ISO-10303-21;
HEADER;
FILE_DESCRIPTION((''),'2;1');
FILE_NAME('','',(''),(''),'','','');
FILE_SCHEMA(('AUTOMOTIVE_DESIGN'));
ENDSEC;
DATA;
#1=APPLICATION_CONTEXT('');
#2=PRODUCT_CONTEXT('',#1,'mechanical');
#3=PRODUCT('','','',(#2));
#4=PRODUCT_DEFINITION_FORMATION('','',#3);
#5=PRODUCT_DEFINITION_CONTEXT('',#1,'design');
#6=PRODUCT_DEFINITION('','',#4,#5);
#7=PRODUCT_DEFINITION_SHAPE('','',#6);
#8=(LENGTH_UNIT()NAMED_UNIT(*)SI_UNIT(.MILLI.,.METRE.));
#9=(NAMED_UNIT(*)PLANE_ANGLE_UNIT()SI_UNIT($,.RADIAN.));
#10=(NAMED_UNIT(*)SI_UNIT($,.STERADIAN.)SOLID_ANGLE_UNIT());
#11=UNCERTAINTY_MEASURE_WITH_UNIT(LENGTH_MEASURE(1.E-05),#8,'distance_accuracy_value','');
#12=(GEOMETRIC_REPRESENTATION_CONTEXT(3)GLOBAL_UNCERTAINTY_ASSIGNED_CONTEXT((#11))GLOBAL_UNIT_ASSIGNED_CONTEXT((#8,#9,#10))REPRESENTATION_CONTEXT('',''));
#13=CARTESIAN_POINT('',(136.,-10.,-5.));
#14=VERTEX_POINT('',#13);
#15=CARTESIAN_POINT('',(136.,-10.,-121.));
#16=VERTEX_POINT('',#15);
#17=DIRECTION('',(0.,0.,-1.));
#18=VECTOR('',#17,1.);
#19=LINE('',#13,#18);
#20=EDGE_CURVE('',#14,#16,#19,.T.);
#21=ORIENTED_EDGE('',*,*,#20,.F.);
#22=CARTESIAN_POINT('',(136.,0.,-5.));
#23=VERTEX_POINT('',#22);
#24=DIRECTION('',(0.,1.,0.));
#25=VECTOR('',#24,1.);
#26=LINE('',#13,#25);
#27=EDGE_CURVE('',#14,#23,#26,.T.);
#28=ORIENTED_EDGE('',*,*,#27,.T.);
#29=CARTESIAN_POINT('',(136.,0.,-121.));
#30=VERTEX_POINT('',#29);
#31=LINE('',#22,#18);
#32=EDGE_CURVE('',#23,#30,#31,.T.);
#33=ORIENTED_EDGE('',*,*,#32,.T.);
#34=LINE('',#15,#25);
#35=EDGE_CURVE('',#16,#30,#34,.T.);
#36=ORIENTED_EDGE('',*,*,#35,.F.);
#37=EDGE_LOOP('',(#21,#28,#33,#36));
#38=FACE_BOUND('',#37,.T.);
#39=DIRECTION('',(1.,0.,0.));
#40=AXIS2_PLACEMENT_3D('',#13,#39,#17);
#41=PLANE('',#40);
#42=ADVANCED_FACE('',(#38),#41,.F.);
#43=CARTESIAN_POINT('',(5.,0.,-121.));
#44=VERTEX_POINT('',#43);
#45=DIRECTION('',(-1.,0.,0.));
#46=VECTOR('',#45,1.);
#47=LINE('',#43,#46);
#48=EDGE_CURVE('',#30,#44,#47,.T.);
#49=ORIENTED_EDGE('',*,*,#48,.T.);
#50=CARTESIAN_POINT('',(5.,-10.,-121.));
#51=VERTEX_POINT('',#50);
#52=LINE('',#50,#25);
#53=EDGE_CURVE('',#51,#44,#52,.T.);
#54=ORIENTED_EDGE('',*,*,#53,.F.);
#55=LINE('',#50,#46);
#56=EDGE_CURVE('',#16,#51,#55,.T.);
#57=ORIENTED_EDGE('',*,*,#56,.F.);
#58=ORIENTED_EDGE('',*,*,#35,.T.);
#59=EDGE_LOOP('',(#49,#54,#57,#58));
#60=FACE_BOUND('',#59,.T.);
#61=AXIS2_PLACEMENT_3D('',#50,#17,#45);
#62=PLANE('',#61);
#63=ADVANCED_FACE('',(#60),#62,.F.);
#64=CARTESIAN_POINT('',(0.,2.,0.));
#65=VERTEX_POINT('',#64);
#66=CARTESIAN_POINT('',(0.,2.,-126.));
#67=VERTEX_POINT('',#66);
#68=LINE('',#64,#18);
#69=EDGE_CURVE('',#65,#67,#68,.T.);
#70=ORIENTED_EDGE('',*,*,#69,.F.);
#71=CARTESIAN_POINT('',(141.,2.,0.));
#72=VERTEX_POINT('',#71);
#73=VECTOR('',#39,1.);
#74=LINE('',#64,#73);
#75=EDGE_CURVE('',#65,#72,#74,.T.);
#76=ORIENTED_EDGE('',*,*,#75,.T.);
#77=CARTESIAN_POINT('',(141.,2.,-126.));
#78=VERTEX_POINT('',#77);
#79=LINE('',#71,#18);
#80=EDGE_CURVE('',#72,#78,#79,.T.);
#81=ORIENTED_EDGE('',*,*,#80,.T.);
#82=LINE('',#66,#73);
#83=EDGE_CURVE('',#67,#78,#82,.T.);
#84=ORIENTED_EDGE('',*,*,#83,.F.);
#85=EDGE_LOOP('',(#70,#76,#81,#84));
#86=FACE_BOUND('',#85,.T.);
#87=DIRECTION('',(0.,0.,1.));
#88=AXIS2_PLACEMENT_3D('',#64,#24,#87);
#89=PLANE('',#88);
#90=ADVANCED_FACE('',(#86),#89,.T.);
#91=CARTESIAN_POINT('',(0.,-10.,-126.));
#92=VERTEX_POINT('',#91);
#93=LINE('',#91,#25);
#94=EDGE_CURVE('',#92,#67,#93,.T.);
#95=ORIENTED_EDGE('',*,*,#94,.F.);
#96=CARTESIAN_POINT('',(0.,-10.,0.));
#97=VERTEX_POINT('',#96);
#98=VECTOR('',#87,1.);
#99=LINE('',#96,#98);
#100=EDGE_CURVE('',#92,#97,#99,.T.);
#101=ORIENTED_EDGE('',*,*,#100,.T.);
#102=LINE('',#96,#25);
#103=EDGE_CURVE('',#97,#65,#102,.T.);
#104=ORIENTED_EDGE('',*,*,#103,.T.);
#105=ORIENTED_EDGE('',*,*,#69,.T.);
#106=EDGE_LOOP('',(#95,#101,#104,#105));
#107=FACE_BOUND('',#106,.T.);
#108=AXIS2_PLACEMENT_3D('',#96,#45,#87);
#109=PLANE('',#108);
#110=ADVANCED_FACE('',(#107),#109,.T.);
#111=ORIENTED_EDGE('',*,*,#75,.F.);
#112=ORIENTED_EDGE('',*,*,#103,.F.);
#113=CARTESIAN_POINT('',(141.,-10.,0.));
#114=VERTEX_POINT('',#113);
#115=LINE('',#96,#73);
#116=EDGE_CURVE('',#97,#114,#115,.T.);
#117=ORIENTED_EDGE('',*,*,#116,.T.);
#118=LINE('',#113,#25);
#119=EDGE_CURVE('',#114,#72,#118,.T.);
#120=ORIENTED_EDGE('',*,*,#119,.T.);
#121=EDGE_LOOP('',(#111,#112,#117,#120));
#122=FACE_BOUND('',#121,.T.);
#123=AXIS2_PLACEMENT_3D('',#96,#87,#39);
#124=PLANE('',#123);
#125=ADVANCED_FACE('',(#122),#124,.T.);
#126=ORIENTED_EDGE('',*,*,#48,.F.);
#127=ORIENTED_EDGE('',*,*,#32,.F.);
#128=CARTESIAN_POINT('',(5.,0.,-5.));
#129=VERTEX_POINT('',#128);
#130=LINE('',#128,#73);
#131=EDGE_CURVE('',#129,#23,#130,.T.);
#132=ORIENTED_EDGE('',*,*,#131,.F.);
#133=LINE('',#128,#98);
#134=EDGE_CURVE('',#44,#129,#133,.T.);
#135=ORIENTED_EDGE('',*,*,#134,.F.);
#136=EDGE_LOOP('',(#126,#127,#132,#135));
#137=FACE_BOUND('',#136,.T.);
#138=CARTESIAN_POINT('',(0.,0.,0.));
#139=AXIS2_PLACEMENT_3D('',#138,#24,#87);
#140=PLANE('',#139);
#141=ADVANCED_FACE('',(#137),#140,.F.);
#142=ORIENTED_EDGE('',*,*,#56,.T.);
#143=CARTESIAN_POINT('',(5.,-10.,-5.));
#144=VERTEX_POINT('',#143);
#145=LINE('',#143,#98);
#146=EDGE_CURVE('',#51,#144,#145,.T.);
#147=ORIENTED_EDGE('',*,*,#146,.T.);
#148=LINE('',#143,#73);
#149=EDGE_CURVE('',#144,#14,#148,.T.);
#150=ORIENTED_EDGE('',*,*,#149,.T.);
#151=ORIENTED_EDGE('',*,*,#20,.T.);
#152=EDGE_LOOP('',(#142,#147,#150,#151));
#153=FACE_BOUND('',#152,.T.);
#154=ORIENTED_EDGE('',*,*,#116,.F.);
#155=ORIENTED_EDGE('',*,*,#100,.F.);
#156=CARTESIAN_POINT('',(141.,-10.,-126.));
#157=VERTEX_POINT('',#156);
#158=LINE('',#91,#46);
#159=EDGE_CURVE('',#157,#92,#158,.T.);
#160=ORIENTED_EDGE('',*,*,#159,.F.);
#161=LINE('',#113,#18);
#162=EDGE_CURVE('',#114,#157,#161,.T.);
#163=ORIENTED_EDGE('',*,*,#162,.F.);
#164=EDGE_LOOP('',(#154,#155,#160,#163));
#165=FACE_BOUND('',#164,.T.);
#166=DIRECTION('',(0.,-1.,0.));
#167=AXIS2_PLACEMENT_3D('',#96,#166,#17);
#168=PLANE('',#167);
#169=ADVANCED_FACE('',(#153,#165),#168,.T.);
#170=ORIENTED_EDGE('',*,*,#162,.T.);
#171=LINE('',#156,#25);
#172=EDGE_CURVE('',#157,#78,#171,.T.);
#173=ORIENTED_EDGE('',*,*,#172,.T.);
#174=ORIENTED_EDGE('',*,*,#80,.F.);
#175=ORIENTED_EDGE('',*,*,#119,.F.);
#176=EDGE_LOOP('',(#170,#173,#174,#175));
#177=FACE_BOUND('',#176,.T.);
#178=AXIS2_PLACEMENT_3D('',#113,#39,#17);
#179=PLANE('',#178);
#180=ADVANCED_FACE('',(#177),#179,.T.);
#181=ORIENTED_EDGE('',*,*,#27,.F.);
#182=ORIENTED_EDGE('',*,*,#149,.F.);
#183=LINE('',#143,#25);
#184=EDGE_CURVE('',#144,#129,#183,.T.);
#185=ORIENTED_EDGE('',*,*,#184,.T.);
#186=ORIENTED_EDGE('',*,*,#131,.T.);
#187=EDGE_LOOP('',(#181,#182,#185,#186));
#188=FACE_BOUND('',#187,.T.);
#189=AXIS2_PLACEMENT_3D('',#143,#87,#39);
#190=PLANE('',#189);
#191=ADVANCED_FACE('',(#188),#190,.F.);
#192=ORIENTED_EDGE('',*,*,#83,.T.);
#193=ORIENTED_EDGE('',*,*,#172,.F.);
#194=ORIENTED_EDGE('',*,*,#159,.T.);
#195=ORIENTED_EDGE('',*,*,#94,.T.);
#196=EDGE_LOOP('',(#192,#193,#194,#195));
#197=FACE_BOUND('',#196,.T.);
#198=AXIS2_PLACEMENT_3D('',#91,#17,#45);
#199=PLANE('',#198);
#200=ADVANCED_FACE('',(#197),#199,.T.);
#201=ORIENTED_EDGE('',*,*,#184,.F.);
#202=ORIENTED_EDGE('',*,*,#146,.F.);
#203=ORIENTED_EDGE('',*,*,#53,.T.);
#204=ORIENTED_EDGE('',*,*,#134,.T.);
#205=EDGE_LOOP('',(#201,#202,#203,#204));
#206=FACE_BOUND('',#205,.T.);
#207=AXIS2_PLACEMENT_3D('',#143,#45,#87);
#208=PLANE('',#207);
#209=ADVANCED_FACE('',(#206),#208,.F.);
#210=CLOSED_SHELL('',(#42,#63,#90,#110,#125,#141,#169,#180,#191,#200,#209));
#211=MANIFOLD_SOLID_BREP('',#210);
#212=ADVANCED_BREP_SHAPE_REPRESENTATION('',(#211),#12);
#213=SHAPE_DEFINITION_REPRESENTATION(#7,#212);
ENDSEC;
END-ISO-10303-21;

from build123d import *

# Parameters (mm, degrees)
SKETCH1_W           = 141
SKETCH1_H           = 126
SKETCH1_W_2         = 131
SKETCH1_H_2         = 116
BOSS_EXTRUDE1_DEPTH = 10
SKETCH1_2_W         = 141
SKETCH1_2_H         = 126
BOSS_EXTRUDE2_DEPTH = 2


with BuildPart() as part:
    # Sketch1 → Boss-Extrude1 (new body)
    with BuildSketch(Plane(origin=(0, 0, 0), x_dir=(1, 0, 0), z_dir=(0, 1, 0))):
        with Locations((70.5, 63)):
            Rectangle(SKETCH1_W, SKETCH1_H)
        with Locations((70.5, 63)):
            Rectangle(SKETCH1_W_2, SKETCH1_H_2, mode=Mode.SUBTRACT)
    extrude(amount=-BOSS_EXTRUDE1_DEPTH)

    # Sketch1<2> → Boss-Extrude2 (add)
    with BuildSketch(Plane(origin=(0, 0, 0), x_dir=(1, 0, 0), z_dir=(0, 1, 0))):
        with Locations((70.5, 63)):
            Rectangle(SKETCH1_2_W, SKETCH1_2_H)
    extrude(amount=BOSS_EXTRUDE2_DEPTH)


solid = part.part
